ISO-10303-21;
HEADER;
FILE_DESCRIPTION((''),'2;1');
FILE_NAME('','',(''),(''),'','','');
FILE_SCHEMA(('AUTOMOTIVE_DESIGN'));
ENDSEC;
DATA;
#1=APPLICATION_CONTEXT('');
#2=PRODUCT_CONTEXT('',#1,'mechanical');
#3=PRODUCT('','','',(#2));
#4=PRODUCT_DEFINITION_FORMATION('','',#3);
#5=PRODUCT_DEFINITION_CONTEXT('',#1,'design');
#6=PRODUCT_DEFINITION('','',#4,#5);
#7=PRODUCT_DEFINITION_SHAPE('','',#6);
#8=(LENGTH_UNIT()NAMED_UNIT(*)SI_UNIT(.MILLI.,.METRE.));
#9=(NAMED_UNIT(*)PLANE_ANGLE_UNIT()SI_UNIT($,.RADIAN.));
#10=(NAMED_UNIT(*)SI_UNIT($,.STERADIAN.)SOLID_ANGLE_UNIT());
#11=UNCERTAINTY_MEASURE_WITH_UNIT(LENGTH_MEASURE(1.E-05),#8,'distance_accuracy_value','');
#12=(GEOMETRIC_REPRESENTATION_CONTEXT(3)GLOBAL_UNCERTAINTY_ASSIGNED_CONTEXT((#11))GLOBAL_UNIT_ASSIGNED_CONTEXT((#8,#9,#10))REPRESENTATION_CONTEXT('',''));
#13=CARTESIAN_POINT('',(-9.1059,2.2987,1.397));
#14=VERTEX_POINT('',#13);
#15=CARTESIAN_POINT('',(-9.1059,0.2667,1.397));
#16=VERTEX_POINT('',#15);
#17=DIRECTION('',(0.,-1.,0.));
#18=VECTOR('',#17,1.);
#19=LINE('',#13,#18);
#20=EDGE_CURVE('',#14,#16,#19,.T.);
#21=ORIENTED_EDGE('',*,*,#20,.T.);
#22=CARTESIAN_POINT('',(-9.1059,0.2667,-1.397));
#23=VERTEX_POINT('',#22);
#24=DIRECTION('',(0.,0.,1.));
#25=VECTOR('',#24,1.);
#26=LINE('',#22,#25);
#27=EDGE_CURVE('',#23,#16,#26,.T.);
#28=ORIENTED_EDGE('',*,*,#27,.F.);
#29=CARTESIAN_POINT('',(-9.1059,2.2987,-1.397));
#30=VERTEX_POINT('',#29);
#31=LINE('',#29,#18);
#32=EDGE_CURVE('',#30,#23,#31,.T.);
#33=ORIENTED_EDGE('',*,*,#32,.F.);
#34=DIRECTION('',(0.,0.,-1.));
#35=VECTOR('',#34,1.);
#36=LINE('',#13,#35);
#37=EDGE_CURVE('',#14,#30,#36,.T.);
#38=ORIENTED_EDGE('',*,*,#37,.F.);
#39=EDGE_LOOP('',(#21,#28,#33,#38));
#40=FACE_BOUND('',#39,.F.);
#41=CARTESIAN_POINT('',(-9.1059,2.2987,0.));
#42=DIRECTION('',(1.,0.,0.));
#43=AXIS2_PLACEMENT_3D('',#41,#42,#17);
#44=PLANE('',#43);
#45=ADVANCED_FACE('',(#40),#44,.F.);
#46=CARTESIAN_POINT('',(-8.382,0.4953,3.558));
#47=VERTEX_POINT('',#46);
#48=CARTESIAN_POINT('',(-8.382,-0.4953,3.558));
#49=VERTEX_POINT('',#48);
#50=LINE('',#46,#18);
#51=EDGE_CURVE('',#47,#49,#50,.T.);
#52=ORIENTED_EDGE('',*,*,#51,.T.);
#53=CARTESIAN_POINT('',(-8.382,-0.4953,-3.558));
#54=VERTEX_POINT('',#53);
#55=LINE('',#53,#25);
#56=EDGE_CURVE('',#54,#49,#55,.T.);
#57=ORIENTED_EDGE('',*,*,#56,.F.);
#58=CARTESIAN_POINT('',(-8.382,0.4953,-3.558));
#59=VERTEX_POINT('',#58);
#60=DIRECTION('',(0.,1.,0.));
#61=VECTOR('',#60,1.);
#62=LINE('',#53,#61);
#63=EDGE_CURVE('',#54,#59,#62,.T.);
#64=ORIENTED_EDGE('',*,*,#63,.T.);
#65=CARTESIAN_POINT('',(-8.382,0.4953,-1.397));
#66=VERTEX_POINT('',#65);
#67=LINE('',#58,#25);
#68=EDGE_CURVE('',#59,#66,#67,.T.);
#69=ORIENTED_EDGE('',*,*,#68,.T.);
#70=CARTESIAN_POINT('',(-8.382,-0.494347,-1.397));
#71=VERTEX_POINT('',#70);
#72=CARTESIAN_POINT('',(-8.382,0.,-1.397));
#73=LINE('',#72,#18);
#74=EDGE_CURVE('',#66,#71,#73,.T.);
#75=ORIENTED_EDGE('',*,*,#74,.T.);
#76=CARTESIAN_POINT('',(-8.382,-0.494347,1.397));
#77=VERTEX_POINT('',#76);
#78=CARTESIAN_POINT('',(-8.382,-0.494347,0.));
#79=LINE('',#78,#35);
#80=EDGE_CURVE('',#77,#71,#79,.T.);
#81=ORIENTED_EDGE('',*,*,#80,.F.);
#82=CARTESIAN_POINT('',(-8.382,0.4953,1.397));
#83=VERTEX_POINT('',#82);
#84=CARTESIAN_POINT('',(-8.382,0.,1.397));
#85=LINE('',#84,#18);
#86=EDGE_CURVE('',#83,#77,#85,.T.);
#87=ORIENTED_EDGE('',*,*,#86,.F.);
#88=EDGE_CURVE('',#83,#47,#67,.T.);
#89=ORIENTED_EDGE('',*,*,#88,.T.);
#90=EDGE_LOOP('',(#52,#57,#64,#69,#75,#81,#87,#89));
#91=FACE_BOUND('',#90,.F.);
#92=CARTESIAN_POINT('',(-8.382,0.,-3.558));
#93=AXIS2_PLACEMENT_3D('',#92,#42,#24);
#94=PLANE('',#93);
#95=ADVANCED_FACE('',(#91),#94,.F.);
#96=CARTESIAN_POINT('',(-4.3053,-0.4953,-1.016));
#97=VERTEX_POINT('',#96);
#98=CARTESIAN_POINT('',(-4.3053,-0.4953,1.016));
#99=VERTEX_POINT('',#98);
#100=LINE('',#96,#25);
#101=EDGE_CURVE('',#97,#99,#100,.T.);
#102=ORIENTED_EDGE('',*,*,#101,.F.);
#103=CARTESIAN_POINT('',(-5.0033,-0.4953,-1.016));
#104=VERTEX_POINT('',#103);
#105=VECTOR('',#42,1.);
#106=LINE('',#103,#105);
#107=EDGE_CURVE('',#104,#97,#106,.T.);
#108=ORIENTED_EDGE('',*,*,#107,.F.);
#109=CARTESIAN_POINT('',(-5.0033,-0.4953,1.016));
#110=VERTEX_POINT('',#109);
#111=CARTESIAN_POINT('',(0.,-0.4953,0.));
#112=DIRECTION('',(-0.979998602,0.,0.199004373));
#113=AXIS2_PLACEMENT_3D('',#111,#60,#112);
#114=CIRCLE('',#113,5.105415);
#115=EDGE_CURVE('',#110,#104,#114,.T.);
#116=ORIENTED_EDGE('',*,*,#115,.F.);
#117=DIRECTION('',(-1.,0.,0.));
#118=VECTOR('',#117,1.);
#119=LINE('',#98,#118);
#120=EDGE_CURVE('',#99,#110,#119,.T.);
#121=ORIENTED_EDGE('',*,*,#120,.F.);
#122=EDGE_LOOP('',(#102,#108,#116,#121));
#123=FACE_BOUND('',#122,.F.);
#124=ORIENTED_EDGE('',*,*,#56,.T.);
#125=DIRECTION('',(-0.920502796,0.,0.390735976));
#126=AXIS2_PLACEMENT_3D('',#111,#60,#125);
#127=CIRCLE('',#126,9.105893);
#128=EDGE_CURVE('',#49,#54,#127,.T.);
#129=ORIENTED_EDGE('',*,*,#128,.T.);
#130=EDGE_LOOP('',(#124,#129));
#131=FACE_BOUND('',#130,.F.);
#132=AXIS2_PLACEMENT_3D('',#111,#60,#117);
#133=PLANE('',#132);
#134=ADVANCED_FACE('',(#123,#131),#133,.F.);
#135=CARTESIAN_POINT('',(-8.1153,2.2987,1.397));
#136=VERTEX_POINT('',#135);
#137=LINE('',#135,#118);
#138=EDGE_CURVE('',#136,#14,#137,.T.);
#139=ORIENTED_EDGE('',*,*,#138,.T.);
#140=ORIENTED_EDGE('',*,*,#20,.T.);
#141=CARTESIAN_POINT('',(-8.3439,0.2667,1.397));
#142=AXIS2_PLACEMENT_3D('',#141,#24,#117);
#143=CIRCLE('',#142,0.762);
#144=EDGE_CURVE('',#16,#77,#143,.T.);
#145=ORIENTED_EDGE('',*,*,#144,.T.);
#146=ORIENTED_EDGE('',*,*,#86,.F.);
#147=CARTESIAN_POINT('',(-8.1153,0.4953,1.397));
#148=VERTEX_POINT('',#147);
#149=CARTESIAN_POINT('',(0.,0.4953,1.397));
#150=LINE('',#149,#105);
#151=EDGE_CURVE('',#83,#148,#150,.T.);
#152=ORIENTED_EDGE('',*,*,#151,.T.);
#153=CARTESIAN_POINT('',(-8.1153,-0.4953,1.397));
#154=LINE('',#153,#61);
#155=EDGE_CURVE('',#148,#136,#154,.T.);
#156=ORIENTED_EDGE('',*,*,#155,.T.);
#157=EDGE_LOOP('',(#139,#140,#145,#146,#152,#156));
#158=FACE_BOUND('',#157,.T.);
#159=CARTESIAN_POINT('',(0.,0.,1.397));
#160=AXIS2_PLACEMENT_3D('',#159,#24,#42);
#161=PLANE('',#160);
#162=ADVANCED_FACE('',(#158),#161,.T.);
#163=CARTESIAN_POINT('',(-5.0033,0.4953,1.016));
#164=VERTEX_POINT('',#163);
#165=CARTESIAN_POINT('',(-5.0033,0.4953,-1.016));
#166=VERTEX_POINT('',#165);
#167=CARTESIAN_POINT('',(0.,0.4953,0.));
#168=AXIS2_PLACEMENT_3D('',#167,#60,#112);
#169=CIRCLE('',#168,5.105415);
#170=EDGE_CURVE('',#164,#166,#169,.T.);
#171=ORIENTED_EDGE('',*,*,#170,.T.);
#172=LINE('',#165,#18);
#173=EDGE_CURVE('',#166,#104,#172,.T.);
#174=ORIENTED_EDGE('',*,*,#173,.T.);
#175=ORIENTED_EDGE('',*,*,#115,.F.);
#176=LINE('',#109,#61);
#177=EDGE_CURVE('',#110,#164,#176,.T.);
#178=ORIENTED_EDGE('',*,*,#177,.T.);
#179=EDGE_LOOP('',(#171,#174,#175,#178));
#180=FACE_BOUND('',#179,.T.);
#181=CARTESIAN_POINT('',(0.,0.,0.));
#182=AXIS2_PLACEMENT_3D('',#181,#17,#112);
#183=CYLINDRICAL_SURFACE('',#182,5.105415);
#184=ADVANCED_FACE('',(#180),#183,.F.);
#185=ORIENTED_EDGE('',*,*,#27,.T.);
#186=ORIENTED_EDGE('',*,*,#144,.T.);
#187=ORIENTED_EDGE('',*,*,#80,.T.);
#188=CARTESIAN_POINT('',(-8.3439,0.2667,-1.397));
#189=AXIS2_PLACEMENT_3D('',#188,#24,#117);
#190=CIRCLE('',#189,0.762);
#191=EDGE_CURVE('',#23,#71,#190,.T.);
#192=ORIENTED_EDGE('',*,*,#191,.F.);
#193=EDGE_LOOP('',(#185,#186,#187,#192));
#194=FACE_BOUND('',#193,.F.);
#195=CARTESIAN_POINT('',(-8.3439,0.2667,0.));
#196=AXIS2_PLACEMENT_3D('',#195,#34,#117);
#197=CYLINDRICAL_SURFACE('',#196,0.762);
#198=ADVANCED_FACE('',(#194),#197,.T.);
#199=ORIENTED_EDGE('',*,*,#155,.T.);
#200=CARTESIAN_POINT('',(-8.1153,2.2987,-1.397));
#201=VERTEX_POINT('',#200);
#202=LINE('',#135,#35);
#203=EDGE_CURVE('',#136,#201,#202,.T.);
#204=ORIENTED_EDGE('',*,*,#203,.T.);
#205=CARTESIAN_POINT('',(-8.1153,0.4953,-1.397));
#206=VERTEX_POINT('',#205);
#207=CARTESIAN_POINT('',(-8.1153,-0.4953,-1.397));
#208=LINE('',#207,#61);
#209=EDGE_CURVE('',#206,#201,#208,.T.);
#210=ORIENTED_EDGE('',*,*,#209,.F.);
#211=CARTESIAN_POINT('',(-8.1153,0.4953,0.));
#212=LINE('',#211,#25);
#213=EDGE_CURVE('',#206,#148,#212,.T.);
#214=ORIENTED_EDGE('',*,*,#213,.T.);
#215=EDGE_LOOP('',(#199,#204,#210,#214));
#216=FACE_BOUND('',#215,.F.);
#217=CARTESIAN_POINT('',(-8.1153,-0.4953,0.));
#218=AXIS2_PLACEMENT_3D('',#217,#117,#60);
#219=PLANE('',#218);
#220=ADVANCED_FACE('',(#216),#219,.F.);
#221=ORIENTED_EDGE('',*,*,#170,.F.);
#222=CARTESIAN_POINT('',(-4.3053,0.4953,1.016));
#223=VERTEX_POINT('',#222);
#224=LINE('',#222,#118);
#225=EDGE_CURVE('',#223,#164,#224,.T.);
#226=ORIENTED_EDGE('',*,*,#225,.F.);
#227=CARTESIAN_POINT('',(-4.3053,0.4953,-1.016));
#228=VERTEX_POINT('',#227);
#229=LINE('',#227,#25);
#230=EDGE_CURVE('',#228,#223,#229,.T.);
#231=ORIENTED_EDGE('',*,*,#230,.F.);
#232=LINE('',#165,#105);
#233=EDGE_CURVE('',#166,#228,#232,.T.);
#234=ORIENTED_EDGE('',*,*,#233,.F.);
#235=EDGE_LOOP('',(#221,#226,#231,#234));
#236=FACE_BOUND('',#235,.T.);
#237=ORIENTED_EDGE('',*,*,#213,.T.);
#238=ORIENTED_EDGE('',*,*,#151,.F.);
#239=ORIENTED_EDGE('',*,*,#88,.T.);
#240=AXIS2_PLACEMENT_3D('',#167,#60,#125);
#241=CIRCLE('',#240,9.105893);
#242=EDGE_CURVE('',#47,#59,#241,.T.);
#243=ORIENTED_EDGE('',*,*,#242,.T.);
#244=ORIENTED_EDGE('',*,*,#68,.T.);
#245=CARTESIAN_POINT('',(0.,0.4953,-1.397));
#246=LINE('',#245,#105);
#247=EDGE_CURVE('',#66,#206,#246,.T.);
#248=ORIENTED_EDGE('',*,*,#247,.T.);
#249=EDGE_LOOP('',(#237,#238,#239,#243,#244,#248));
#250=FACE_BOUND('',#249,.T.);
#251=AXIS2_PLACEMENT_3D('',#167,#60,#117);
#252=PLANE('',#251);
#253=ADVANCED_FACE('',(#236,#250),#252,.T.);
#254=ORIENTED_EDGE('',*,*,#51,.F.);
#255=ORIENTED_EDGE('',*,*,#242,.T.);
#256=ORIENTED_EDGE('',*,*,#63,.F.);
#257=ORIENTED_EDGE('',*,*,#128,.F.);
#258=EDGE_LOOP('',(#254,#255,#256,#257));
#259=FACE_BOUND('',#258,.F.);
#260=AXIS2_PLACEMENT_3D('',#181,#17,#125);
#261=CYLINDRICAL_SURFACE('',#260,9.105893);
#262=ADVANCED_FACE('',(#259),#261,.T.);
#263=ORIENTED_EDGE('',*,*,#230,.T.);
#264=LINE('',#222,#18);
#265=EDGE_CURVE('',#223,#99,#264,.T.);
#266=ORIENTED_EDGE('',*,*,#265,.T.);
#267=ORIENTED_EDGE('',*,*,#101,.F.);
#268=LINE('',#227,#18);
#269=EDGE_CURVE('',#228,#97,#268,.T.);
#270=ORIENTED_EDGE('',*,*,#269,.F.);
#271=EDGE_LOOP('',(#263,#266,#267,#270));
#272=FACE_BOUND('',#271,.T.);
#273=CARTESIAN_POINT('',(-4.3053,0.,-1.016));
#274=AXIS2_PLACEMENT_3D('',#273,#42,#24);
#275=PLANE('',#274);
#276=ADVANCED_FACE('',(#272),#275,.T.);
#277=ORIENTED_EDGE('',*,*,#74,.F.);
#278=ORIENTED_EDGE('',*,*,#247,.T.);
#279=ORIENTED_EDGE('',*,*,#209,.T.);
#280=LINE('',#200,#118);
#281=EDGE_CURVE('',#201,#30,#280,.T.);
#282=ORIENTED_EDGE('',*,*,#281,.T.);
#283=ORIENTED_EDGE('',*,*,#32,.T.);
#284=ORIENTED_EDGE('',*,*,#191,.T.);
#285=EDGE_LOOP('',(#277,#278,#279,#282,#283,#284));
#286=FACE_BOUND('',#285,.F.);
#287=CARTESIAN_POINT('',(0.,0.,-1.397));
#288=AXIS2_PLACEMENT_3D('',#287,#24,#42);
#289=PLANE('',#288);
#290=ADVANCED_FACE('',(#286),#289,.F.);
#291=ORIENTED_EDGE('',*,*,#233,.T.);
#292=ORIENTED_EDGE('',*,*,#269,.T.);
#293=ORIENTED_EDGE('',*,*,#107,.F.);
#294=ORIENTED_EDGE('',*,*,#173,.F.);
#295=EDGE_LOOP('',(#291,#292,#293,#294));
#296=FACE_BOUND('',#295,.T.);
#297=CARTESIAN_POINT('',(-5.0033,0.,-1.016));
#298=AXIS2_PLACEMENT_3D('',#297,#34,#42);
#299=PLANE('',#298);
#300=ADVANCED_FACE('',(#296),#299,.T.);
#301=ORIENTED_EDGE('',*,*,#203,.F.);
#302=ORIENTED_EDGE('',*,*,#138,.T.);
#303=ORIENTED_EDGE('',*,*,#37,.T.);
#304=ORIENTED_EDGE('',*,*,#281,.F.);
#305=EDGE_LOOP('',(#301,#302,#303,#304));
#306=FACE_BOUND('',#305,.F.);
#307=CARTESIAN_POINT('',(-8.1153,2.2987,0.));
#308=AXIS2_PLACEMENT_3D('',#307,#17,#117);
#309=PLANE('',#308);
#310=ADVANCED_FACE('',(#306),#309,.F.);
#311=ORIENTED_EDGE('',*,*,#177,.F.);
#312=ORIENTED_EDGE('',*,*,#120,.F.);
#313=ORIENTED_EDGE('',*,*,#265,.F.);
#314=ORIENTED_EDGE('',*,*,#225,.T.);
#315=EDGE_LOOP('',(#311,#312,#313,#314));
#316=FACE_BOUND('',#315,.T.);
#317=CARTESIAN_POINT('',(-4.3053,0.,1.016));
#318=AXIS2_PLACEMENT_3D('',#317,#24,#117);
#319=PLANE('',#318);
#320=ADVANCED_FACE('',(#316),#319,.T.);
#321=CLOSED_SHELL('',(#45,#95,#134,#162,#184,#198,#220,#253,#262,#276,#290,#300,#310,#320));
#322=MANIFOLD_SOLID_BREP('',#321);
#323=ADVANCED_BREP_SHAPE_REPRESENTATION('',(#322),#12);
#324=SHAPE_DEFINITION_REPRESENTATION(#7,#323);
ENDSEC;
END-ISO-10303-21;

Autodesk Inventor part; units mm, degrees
sketch "Sketch_1" plane through (0, 0, 0) normal (0, 1, 0) x (-1, 0, 0)
  line L0 (8.382, -3.558) -> (8.382, 3.558)
  arc A0 (8.382, 3.558) -> (8.382, -3.558) centre (0, 0) ccw
  arc A1 (5.0033, 1.016) -> (5.0033, -1.016) centre (0, 0) ccw
  line L1 (5.0033, -1.016) -> (4.3053, -1.016)
  line L2 (4.3053, -1.016) -> (4.3053, 1.016)
  line L3 (4.3053, 1.016) -> (5.0033, 1.016)
extrude "Extrusion1" add sketch "Sketch_1" along normal mid plane 0.9906
sketch "Sketch_2" plane through (0, 0, 0) normal (0, 0, 1) x (1, 0, 0)
  arc A0 (-9.1059, 0.2667) -> (-8.3439, -0.4953) centre (-8.3439, 0.2667) ccw
  line L0 (-8.3439, -0.4953) -> (-8.1153, -0.4953)
  line L1 (-8.1153, -0.4953) -> (-8.1153, 2.2987)
  line L2 (-8.1153, 2.2987) -> (-9.1059, 2.2987)
  line L3 (-9.1059, 2.2987) -> (-9.1059, 0.2667)
extrude "Extrusion2" add sketch "Sketch_2" along normal mid plane 2.794
ref_plane "1_XY" through (0, 0, 0) normal (0, 1, 0) x (1, 0, 0)
ref_plane "1_YZ" through (0, 0, 0) normal (1, 0, 0) x (0, 0, -1)
ref_plane "1_ZX" through (0, 0, 0) normal (0, 0, -1) x (0, 1, 0)
properties part number "AT518"
